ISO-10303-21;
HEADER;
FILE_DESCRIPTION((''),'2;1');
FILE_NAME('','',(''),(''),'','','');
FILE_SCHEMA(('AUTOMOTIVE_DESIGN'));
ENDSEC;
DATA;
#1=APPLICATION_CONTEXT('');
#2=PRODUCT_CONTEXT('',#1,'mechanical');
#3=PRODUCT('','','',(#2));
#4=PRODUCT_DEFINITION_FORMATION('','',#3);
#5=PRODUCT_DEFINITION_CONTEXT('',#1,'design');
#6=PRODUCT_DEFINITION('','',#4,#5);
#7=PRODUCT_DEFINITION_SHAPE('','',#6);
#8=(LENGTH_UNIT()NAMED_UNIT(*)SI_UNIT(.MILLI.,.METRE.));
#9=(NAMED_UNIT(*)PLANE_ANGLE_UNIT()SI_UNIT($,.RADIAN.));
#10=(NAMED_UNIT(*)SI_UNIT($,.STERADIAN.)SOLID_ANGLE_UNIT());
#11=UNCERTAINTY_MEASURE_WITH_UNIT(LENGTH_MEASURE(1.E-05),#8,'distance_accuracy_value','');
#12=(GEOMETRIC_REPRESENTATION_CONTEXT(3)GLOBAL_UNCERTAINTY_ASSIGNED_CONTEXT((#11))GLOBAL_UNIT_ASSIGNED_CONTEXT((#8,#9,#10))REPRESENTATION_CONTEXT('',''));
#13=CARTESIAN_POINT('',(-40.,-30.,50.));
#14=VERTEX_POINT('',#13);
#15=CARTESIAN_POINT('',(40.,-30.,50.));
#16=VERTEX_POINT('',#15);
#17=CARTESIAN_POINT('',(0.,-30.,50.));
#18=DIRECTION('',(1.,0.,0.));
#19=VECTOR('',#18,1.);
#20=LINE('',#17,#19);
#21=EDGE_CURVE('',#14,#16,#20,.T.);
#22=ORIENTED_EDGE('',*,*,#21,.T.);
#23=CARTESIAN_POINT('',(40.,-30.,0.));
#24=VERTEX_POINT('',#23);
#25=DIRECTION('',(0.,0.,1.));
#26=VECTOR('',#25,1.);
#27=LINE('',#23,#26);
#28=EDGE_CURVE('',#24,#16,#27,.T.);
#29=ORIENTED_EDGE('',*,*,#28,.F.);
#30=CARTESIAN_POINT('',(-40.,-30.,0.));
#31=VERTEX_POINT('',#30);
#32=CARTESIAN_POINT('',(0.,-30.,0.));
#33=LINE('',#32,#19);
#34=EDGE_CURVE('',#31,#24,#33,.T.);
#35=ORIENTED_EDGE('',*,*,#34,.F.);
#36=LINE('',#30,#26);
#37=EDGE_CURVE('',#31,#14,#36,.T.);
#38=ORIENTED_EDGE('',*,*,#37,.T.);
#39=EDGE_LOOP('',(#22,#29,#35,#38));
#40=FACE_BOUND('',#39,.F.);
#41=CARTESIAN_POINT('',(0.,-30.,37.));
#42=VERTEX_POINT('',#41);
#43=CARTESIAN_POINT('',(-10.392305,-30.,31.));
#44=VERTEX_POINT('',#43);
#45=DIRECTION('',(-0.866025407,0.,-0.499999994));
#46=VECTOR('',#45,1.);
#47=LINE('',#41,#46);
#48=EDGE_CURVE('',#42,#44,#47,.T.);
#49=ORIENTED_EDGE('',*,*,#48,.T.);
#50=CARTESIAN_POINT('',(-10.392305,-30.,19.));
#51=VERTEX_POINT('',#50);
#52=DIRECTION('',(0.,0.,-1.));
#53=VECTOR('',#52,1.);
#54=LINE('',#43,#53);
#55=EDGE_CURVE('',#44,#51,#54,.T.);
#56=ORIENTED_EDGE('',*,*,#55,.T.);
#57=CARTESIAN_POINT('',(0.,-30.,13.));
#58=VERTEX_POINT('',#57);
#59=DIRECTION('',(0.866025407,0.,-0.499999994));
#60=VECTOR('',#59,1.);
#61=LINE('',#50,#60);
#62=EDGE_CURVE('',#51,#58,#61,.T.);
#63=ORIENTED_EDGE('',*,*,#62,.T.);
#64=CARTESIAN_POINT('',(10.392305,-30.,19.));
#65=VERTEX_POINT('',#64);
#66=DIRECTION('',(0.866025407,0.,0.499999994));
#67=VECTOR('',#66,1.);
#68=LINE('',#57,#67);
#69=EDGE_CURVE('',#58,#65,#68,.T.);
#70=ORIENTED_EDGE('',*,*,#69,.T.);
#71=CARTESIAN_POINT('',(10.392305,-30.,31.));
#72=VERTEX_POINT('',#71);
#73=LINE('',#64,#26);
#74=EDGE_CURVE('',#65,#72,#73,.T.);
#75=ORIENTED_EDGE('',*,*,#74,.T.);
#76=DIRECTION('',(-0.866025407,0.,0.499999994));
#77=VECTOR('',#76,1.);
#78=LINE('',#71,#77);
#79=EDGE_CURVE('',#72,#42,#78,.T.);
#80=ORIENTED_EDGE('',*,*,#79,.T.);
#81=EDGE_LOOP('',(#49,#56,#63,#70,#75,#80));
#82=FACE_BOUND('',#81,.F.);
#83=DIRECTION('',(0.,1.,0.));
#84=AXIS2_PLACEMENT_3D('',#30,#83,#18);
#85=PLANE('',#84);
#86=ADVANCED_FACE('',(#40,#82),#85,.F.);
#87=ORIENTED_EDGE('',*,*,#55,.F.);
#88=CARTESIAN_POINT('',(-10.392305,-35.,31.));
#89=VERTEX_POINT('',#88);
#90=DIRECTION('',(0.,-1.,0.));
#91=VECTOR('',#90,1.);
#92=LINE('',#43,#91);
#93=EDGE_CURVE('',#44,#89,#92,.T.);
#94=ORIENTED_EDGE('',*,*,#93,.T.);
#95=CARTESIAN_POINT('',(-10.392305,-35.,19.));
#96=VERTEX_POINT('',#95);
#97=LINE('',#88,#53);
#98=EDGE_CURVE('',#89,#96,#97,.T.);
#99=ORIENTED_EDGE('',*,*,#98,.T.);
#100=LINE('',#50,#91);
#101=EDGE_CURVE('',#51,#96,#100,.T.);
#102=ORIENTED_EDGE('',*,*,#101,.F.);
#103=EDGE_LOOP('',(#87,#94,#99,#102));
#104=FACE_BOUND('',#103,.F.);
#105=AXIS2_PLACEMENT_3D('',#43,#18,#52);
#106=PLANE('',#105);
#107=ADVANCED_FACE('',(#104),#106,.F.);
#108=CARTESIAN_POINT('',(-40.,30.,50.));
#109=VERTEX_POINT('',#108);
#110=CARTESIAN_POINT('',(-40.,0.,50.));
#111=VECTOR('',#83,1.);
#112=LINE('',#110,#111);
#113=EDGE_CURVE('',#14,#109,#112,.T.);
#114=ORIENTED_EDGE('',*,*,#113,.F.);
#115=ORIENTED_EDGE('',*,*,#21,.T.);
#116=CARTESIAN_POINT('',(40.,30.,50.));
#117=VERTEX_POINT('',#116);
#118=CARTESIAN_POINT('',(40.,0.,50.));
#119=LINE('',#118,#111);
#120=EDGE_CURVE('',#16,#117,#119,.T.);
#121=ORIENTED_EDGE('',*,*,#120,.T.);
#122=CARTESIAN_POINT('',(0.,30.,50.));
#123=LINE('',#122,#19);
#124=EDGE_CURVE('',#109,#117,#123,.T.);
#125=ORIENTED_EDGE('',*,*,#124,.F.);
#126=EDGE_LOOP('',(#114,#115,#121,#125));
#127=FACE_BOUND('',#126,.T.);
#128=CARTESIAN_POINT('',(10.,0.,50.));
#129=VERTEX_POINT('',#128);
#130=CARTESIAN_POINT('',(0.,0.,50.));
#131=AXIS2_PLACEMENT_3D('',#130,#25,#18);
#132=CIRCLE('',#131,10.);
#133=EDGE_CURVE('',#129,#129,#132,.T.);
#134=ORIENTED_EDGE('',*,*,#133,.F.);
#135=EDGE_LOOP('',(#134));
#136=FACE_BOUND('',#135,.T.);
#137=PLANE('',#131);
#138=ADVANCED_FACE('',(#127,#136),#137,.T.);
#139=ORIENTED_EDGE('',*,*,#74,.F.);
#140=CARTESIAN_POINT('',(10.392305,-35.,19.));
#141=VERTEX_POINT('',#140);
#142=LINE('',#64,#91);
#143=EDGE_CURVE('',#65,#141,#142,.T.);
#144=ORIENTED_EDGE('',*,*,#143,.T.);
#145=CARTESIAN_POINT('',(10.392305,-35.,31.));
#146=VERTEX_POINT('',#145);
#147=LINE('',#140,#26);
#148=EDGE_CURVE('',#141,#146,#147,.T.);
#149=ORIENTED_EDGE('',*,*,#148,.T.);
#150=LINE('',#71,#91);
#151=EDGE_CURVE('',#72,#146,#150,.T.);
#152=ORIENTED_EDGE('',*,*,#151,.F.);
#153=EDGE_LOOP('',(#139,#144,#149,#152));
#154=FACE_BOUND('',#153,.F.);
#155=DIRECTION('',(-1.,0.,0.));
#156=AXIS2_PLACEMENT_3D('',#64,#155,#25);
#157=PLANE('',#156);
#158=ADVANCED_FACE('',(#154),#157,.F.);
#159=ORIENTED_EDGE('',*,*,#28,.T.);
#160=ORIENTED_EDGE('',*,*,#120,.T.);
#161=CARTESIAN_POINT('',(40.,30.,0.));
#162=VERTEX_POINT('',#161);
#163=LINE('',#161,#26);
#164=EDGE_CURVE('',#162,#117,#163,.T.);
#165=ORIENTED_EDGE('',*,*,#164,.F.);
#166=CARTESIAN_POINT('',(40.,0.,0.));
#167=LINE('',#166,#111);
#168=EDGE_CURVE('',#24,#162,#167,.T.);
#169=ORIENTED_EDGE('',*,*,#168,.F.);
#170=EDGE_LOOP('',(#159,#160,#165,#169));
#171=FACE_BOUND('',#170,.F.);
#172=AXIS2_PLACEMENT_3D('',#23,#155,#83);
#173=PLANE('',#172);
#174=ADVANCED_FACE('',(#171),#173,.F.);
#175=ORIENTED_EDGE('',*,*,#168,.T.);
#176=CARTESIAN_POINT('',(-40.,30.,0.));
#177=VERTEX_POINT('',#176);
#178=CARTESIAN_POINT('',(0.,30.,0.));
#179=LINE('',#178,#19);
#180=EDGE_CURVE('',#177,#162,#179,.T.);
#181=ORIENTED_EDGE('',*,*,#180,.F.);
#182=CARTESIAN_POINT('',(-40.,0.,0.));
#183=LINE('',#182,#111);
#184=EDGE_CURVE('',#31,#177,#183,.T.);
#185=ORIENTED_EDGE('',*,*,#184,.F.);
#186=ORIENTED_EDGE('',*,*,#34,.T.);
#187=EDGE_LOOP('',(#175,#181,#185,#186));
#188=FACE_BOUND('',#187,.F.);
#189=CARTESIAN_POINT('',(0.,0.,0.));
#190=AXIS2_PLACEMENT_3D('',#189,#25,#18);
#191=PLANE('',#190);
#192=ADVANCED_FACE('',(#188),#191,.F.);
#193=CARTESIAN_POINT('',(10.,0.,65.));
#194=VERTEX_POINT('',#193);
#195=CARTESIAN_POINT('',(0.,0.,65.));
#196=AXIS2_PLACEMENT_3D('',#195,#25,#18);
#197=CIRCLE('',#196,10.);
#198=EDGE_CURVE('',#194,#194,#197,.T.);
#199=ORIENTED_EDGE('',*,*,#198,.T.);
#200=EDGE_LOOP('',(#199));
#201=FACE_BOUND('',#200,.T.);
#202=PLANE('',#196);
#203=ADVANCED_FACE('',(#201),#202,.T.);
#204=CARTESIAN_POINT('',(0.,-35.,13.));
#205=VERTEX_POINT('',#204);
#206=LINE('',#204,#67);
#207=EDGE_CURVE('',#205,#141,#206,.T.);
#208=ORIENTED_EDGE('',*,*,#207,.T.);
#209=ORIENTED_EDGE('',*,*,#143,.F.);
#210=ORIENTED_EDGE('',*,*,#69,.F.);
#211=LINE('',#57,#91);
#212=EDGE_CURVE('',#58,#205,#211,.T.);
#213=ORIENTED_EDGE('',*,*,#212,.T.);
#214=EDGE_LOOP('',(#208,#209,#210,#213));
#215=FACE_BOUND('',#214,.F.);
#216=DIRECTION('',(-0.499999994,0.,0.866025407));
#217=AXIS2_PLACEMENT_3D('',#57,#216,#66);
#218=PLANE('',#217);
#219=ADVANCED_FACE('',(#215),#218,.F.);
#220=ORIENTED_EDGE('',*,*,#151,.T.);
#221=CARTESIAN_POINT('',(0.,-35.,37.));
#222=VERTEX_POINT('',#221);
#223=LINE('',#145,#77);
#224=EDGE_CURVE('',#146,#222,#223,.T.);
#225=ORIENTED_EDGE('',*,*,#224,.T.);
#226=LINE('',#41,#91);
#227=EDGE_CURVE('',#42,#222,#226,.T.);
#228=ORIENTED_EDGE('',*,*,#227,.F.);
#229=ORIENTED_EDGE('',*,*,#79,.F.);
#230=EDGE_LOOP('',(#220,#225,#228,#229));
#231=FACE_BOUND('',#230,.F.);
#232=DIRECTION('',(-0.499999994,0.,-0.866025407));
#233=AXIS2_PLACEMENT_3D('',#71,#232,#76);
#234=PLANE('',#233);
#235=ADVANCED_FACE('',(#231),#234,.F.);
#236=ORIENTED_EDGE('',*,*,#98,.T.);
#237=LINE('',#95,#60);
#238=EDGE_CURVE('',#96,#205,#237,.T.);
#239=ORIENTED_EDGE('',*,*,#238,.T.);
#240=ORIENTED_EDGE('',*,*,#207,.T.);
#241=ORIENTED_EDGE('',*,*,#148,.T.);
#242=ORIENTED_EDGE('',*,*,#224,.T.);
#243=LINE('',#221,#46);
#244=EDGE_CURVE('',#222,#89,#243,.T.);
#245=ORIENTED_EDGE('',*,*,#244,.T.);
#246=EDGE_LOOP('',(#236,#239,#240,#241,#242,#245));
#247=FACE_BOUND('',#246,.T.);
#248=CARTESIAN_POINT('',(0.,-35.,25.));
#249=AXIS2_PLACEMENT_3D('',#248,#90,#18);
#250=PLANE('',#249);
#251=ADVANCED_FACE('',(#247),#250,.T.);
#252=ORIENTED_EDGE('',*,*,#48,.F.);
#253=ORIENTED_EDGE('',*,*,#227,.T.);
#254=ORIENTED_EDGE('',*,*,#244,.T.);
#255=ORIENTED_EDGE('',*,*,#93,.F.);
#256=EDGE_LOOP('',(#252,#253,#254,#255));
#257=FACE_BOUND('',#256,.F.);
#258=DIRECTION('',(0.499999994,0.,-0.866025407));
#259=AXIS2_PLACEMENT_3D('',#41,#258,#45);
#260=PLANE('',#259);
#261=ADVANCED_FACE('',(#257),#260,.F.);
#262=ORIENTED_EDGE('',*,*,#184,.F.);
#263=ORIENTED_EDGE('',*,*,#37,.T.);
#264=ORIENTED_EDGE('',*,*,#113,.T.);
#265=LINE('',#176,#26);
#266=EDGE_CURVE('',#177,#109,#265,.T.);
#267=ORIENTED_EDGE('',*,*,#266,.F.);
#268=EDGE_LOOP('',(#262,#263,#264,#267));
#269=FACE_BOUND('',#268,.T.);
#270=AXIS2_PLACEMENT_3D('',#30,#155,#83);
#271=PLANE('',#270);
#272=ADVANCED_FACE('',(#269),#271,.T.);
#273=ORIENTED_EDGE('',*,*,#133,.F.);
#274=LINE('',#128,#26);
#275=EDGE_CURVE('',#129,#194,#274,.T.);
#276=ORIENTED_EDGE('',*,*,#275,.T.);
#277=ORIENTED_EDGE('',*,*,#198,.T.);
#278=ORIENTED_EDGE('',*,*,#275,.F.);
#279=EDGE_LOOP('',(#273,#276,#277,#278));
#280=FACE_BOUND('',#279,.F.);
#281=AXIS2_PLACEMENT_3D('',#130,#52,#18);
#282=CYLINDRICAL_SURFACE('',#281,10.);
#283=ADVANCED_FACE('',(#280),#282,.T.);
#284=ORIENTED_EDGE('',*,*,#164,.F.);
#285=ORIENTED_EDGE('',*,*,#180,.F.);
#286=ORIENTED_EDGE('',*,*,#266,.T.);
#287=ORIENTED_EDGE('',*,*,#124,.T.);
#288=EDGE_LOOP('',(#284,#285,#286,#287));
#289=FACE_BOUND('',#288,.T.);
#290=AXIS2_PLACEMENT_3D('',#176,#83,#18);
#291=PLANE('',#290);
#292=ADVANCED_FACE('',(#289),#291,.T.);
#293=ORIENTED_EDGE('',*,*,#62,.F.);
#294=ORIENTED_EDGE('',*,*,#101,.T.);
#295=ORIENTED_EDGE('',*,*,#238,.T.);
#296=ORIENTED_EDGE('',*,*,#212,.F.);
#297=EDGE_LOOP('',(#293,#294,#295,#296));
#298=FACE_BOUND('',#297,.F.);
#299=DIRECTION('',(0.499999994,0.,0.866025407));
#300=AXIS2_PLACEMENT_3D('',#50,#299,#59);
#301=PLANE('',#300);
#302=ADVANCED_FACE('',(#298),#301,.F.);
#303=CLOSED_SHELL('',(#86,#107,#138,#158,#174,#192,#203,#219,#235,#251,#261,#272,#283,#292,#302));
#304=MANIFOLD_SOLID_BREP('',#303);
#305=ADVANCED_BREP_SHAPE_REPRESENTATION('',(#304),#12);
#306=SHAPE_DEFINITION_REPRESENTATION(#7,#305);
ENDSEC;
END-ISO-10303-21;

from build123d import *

# Parameters (mm, degrees)
F0_W     = 80
F0_H     = 60
F1_DEPTH = 50
F2_R     = 10
F3_DEPTH = 15
F5_DEPTH = 5


with BuildPart() as f1:
    # F0 (on Top) → F1 (new body)
    with BuildSketch(Plane.XY):
        Rectangle(F0_W, F0_H)
    extrude(amount=F1_DEPTH)

    # F2 (on face) → F3 (join)
    with BuildSketch(Plane.XY.offset(50)):
        Circle(F2_R)
    extrude(amount=F3_DEPTH)

    # F4 (on face) → F5 (join)
    with BuildSketch(Plane.XZ.offset(30)):
        Polygon((-10.392305, 19), (0, 13), (10.392305, 19), (10.392305, 31), (0, 37), (-10.392305, 31), align=None)
    extrude(amount=F5_DEPTH)


solid = f1.part
